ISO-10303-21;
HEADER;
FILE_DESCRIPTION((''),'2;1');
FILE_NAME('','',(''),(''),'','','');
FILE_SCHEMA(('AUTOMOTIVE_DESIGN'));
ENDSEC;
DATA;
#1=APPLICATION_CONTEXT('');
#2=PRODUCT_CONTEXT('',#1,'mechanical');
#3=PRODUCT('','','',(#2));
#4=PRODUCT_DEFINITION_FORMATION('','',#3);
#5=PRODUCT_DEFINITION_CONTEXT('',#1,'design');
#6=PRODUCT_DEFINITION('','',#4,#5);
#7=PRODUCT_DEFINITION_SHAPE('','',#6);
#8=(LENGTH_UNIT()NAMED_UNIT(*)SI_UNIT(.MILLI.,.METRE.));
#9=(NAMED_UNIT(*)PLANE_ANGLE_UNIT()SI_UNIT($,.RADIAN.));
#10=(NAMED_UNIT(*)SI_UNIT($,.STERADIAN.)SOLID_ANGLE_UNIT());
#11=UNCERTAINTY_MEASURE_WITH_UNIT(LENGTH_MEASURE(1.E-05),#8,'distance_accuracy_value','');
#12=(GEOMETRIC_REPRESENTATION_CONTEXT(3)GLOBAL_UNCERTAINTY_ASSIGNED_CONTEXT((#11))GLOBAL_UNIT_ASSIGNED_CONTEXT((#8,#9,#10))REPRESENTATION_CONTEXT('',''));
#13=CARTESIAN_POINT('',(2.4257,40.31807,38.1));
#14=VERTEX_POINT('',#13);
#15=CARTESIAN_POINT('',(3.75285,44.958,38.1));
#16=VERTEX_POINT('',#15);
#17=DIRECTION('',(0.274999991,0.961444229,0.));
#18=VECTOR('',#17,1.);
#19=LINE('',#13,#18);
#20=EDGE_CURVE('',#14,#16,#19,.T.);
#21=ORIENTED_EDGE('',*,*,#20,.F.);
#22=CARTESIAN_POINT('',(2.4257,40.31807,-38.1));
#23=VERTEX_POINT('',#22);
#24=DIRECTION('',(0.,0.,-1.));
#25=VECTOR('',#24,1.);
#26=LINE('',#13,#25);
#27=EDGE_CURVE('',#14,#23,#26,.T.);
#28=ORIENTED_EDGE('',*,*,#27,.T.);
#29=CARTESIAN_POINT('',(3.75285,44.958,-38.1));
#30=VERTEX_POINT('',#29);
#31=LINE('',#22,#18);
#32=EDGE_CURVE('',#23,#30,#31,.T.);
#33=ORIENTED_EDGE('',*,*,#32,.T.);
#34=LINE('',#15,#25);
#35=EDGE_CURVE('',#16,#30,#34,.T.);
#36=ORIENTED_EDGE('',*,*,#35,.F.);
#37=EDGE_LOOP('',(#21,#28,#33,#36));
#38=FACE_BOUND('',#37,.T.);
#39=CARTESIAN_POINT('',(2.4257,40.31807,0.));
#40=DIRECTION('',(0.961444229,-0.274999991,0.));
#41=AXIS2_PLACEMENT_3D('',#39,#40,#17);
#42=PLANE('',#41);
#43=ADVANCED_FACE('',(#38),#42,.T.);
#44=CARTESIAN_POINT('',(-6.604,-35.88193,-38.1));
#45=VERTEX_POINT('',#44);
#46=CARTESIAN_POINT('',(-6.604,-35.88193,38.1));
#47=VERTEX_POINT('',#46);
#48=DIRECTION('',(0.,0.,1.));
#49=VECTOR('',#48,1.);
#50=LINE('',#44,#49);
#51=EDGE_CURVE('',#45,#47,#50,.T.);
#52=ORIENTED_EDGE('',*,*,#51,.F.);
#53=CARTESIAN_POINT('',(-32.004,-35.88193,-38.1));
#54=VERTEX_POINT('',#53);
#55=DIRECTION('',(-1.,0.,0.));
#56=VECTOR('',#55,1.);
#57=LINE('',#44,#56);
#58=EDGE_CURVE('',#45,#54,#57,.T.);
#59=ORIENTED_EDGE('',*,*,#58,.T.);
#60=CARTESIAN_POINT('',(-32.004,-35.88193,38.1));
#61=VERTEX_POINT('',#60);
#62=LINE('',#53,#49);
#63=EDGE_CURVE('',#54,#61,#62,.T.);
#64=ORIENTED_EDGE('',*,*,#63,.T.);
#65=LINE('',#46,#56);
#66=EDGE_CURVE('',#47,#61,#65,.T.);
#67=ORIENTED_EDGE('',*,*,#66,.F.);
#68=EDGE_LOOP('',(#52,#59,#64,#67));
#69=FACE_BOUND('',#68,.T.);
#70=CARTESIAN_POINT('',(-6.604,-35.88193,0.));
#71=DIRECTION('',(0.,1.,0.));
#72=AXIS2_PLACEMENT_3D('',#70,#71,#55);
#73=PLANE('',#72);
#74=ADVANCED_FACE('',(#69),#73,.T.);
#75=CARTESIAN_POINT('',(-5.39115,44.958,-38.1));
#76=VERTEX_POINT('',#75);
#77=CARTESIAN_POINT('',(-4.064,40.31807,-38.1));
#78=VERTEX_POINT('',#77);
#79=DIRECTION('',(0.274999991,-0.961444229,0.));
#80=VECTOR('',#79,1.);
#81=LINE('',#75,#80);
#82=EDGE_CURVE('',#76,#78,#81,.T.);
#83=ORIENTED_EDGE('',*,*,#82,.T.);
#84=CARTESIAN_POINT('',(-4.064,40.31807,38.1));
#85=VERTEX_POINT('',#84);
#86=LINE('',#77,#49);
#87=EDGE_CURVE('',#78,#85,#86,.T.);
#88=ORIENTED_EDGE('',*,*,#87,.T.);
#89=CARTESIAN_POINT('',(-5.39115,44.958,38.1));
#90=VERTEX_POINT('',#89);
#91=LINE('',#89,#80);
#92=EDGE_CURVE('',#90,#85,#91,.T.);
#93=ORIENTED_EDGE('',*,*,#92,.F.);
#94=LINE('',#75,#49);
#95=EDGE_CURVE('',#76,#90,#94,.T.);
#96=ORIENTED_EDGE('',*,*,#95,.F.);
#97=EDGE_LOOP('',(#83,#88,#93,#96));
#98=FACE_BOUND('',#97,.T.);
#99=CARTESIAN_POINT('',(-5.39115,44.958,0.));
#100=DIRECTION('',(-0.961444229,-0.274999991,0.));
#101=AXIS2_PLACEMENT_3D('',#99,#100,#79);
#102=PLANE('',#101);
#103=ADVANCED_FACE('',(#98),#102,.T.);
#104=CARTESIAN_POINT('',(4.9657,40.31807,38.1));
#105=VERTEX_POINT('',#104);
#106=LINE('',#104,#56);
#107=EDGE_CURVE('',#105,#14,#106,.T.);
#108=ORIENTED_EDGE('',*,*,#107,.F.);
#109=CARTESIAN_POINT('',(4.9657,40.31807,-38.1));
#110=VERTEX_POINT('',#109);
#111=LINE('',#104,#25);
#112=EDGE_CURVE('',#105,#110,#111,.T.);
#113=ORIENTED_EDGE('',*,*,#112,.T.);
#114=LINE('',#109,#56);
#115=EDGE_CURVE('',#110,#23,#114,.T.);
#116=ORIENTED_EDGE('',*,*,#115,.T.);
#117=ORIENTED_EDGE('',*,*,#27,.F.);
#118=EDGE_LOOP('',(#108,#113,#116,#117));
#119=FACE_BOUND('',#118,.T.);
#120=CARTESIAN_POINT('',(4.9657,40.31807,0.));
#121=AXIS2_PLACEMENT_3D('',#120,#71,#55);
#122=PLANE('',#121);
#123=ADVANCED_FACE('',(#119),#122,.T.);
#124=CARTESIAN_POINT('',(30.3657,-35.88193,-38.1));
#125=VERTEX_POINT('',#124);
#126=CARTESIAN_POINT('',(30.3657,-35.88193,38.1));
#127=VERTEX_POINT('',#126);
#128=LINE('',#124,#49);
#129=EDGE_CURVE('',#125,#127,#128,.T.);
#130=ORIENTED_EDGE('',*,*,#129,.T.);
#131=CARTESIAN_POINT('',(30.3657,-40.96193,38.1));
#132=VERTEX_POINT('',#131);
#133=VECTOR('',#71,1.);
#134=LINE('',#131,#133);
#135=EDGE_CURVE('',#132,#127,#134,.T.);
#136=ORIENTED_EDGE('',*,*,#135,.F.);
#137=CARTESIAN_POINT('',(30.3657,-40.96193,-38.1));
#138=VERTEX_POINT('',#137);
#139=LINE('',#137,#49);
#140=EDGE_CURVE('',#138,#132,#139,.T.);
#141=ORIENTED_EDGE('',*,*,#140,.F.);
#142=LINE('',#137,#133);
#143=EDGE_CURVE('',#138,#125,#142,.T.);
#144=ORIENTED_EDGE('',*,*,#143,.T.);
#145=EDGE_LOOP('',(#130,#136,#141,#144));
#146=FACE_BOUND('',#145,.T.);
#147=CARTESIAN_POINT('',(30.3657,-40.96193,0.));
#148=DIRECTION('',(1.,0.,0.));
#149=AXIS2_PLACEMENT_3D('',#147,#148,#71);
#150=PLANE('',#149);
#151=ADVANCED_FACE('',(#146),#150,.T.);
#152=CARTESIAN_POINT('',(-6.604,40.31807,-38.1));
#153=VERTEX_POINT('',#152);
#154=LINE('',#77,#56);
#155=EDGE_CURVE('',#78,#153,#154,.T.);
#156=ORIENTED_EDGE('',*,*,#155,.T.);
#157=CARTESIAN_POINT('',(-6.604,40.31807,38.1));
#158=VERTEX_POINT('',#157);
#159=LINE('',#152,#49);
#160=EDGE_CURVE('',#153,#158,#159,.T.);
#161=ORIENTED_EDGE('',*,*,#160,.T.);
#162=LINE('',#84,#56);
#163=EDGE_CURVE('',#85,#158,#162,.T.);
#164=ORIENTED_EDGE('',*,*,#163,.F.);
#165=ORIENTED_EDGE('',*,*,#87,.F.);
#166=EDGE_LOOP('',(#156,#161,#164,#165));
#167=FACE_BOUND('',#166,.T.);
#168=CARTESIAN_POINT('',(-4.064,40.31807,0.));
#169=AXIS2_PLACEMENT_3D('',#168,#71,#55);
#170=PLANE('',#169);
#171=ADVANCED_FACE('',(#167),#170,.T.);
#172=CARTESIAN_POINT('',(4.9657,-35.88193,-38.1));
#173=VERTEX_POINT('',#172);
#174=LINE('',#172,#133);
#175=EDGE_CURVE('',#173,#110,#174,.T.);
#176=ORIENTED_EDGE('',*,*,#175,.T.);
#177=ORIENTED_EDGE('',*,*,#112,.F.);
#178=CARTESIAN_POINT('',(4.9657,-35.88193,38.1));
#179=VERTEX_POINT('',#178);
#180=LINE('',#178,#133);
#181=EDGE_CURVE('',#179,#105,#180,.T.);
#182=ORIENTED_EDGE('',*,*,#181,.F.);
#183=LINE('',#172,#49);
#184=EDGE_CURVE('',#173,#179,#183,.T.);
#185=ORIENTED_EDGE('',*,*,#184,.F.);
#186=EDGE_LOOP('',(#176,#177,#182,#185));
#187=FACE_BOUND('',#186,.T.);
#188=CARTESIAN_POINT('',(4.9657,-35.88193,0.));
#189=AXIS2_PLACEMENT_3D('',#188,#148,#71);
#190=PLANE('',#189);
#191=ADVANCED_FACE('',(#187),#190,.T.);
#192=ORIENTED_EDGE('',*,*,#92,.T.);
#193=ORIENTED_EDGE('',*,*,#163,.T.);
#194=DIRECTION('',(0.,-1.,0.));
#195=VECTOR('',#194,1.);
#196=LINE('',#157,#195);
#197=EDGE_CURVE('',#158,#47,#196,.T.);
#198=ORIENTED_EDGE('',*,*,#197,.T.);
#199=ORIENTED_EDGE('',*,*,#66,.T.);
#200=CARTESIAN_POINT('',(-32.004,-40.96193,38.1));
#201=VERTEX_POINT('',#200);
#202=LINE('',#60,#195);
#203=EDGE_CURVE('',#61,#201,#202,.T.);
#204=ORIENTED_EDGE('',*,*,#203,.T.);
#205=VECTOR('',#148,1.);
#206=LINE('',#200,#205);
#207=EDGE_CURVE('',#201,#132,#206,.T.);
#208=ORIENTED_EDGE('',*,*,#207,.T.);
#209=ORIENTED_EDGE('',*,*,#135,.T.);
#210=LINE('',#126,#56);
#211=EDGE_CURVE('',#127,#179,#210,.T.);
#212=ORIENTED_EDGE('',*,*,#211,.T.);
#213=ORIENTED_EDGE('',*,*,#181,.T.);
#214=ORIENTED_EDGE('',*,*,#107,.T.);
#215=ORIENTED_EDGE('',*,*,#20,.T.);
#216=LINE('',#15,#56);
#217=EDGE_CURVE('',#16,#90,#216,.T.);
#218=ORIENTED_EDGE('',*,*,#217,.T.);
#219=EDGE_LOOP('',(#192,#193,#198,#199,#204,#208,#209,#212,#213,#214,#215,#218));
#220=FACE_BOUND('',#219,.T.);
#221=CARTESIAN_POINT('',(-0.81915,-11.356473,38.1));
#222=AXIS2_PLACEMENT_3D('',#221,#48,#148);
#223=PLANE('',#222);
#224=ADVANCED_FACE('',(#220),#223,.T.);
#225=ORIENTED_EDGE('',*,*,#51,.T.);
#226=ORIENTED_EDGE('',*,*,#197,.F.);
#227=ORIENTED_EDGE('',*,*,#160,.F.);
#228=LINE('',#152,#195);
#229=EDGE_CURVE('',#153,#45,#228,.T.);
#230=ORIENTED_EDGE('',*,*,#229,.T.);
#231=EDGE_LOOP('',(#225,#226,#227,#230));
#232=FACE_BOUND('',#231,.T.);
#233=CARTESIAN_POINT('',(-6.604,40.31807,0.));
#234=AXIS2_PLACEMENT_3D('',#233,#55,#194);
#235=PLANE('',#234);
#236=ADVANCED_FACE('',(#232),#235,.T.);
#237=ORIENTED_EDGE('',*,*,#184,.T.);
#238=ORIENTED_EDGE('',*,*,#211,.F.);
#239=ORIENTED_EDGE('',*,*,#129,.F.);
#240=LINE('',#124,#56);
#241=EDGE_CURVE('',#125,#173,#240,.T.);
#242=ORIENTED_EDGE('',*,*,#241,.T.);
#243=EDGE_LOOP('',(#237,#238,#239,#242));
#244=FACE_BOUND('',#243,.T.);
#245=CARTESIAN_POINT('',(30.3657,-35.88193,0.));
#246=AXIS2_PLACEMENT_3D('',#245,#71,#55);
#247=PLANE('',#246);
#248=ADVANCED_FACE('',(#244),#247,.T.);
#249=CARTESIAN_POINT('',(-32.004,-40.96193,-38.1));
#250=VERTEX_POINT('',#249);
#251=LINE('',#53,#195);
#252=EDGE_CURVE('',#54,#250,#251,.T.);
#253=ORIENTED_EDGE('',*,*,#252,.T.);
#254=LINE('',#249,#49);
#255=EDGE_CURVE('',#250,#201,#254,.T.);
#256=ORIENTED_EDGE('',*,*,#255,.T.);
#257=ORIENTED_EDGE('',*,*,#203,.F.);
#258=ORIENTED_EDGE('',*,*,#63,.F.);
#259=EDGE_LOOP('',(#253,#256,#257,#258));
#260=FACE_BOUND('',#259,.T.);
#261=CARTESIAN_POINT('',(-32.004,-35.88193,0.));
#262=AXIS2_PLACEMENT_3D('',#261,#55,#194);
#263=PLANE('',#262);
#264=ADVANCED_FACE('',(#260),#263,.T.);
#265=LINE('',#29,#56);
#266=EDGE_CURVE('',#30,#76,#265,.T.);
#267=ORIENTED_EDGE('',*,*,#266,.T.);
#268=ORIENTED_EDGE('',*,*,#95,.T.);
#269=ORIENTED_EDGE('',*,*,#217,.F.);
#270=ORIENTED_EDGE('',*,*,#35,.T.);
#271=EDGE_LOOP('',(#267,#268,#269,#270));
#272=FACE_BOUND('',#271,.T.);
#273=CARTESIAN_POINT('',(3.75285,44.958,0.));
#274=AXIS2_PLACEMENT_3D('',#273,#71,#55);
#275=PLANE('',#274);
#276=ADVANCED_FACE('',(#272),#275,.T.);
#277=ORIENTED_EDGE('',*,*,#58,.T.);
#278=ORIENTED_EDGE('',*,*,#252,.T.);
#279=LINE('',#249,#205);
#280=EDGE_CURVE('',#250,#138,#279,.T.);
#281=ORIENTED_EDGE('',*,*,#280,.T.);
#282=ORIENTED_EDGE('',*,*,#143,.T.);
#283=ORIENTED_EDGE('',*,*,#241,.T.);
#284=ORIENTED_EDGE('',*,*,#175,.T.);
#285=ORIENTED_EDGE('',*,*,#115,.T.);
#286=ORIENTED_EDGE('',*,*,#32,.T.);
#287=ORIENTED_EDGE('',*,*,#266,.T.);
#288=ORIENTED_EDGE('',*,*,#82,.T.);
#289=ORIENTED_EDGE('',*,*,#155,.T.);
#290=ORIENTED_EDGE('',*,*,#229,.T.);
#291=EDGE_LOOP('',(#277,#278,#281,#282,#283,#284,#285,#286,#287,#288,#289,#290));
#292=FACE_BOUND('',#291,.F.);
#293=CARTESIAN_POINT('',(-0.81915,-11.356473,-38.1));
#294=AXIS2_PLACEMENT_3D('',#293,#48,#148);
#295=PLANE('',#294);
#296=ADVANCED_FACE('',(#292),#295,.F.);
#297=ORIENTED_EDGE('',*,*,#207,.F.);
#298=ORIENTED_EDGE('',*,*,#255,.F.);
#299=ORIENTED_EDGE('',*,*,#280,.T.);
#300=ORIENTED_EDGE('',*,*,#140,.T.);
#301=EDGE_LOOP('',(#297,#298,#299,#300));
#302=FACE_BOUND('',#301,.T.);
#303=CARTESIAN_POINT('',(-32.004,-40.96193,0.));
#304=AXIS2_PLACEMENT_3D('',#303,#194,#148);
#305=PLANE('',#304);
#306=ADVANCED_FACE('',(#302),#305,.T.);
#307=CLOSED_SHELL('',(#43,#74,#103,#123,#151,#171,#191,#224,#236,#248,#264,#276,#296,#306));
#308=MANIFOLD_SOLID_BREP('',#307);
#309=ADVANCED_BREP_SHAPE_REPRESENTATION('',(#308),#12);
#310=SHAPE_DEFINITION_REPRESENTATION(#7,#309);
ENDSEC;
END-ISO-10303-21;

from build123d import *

# Parameters (mm, degrees)
F1_DEPTH = 38.1


with BuildPart() as f1:
    # F0 (on Top) → F1 (new body, symmetric)
    with BuildSketch(Plane.XY):
        Polygon((7.81685, 0), (-1.32715, 0), (0, -4.63993), (-2.54, -4.63993), (-2.54, -80.83993), (-27.94, -80.83993), (-27.94, -85.91993), (34.4297, -85.91993), (34.4297, -80.83993), (9.0297, -80.83993), (9.0297, -4.63993), (6.4897, -4.63993), align=None)
    extrude(amount=F1_DEPTH, both=True)


with BuildPart() as f1_1:
    # F2: moved
    add(f1.part.moved(Location((-4.064, 44.958, 0))))


solid = f1_1.part
